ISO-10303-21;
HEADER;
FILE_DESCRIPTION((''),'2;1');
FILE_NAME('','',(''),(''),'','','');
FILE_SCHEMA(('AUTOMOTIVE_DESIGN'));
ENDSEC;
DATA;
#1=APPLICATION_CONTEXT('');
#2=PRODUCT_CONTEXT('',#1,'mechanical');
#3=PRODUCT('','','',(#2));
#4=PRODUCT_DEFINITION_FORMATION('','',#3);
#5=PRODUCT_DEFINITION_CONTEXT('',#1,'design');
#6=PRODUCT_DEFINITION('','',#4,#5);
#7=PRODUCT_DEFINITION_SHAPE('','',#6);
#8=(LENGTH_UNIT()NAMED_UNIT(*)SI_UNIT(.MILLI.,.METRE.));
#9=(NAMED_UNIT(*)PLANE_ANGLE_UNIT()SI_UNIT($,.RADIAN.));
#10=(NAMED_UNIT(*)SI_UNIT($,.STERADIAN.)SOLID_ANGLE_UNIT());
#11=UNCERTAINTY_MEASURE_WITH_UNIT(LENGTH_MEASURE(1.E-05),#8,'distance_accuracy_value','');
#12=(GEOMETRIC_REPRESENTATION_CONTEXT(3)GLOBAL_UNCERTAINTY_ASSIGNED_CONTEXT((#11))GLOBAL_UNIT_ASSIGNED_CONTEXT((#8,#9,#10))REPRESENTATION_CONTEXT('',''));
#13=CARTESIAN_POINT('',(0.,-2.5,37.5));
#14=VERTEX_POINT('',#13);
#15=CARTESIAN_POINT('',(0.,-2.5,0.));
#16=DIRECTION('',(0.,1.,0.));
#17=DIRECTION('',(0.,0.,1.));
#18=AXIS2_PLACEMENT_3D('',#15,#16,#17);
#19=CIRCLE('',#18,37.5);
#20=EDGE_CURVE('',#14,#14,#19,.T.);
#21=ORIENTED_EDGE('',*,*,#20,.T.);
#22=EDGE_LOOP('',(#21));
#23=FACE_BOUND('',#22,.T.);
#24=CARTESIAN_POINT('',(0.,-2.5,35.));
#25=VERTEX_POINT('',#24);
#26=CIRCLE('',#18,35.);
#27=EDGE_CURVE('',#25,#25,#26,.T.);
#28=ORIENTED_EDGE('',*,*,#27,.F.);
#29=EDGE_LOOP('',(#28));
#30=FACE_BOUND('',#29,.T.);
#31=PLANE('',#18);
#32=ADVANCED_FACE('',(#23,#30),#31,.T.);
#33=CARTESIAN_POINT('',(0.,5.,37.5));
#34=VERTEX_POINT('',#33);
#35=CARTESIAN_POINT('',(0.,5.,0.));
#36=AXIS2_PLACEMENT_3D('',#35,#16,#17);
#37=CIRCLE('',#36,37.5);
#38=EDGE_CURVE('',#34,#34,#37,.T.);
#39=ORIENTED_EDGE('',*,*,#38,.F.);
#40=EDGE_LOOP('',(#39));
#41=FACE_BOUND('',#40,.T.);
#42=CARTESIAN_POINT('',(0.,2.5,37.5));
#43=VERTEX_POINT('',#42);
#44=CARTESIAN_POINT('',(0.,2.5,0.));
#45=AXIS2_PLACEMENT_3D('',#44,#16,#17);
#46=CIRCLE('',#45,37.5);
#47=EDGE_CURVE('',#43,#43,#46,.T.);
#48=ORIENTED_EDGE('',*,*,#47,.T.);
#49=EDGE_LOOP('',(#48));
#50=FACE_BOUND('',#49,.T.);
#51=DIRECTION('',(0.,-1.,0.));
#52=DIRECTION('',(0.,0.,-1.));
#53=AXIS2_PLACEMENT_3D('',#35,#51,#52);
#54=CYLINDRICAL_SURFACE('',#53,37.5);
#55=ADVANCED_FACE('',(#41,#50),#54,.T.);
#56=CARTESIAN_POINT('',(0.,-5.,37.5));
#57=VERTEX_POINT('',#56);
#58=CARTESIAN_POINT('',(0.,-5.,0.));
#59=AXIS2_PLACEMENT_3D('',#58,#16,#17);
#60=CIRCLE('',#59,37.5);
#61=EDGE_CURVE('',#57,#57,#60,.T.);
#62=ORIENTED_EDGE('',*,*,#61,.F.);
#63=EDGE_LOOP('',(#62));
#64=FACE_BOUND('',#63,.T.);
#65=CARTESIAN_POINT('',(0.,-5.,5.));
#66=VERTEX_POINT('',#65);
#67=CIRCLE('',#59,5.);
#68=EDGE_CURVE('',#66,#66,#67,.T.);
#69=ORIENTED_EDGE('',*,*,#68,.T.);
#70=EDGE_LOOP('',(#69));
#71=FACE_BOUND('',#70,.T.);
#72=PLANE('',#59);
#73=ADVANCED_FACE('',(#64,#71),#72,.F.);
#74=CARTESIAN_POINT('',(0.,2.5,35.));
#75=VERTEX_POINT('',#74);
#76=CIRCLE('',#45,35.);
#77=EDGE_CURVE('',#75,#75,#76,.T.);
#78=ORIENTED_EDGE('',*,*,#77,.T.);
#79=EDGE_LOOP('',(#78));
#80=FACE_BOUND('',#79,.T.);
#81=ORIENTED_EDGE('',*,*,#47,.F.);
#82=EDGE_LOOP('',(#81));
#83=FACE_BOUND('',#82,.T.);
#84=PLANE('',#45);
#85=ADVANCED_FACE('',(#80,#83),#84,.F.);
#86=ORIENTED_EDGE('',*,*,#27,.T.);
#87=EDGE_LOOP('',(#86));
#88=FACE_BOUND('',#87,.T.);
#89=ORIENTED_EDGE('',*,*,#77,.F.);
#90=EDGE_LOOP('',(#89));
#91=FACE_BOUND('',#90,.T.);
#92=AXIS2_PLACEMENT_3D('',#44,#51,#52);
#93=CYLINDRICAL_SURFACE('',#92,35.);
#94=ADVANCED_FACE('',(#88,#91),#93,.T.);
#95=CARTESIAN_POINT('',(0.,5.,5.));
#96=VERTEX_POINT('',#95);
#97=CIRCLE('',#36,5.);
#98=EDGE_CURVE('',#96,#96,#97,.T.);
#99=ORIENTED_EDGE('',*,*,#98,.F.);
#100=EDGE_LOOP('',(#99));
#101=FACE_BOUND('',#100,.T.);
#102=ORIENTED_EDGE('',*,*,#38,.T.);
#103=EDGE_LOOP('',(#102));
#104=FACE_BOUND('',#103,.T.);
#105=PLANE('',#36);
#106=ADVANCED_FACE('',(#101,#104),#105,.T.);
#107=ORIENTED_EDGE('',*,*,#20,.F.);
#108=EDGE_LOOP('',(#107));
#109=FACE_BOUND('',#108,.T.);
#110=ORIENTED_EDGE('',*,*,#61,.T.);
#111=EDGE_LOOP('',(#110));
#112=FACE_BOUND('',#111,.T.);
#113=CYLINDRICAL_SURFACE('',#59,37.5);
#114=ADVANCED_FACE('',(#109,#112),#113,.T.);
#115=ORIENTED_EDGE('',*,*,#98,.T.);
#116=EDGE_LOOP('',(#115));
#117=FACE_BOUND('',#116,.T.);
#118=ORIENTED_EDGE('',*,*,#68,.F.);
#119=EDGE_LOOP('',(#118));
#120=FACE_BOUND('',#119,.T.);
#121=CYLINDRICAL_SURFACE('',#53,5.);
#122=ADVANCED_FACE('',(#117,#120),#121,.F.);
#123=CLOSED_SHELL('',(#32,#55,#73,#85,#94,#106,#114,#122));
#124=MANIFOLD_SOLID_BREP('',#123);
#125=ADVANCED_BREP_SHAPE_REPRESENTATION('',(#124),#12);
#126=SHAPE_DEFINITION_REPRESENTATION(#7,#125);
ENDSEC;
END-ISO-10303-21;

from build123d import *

# Parameters (mm, degrees)
SKETCH1_R           = 35
SKETCH1_R_2         = 7.5
BOSS_EXTRUDE2_DEPTH = 2.5
BOSS_EXTRUDE3_START = 5
SKETCH1_10_R        = 37.5
SKETCH1_10_R_2      = 35
SKETCH1_10_R_3      = 7.5
BOSS_EXTRUDE3_DEPTH = 2.5
BOSS_EXTRUDE4_START = -2.5
SKETCH1_11_R        = 37.5
SKETCH1_11_R_2      = 35
BOSS_EXTRUDE4_DEPTH = 2.5
BOSS_EXTRUDE6_START = -5
SKETCH1_15_R        = 35
SKETCH1_15_R_2      = 7.5
BOSS_EXTRUDE6_DEPTH = 2.5
SKETCH1_16_R        = 7.5
SKETCH1_16_R_2      = 5
BOSS_EXTRUDE7_DEPTH = 5


with BuildPart() as part:
    # Sketch1 → Boss-Extrude2 (new, symmetric)
    with BuildSketch(Plane(origin=(0, 0, 0), x_dir=(1, 0, 0), z_dir=(0, 1, 0))):
        with Locations(Location((0, 0, 0), (0, 0, 270))):
            Circle(SKETCH1_R)
        with Locations(Location((0, 0, 0), (0, 0, 270))):
            Circle(SKETCH1_R_2, mode=Mode.SUBTRACT)
    extrude(amount=BOSS_EXTRUDE2_DEPTH, both=True)

    # Sketch1<10> → Boss-Extrude3 (add)
    # profile 1 of 2: a face of its own
    with BuildSketch(Plane(origin=(0, 0, 0), x_dir=(1, 0, 0), z_dir=(0, 1, 0)).offset(BOSS_EXTRUDE3_START)):
        with Locations(Location((0, 0, 0), (0, 0, 270))):
            Circle(SKETCH1_10_R)
        with Locations(Location((0, 0, 0), (0, 0, 270))):
            Circle(SKETCH1_10_R_2, mode=Mode.SUBTRACT)
    # profile 2 of 2: a face of its own
    with BuildSketch(Plane(origin=(0, 0, 0), x_dir=(1, 0, 0), z_dir=(0, 1, 0)).offset(BOSS_EXTRUDE3_START)):
        with Locations(Location((0, 0, 0), (0, 0, 270))):
            Circle(SKETCH1_10_R_2)
        with Locations(Location((0, 0, 0), (0, 0, 270))):
            Circle(SKETCH1_10_R_3, mode=Mode.SUBTRACT)
    extrude(amount=-BOSS_EXTRUDE3_DEPTH)



with BuildPart() as body_2:
    # Sketch1<11> → Boss-Extrude4 (new body)
    with BuildSketch(Plane(origin=(0, 0, 0), x_dir=(1, 0, 0), z_dir=(0, 1, 0)).offset(BOSS_EXTRUDE4_START)):
        with Locations(Location((0, 0, 0), (0, 0, 270))):
            Circle(SKETCH1_11_R)
        with Locations(Location((0, 0, 0), (0, 0, 270))):
            Circle(SKETCH1_11_R_2, mode=Mode.SUBTRACT)
    extrude(amount=-BOSS_EXTRUDE4_DEPTH)


with BuildPart() as part_1:
    add(part.part)

    add(body_2.part)  # Boss-Extrude6 merges body 2
    # Sketch1<15> → Boss-Extrude6 (add)
    with BuildSketch(Plane(origin=(0, 0, 0), x_dir=(1, 0, 0), z_dir=(0, 1, 0)).offset(BOSS_EXTRUDE6_START)):
        with Locations(Location((0, 0, 0), (0, 0, 270))):
            Circle(SKETCH1_15_R)
        with Locations(Location((0, 0, 0), (0, 0, 270))):
            Circle(SKETCH1_15_R_2, mode=Mode.SUBTRACT)
    extrude(amount=BOSS_EXTRUDE6_DEPTH)

    # Sketch1<16> → Boss-Extrude7 (add, symmetric)
    with BuildSketch(Plane(origin=(0, 0, 0), x_dir=(1, 0, 0), z_dir=(0, 1, 0))):
        Circle(SKETCH1_16_R)
        with Locations(Location((0, 0, 0), (0, 0, 270))):
            Circle(SKETCH1_16_R_2, mode=Mode.SUBTRACT)
    extrude(amount=BOSS_EXTRUDE7_DEPTH, both=True)


solid = part_1.part
